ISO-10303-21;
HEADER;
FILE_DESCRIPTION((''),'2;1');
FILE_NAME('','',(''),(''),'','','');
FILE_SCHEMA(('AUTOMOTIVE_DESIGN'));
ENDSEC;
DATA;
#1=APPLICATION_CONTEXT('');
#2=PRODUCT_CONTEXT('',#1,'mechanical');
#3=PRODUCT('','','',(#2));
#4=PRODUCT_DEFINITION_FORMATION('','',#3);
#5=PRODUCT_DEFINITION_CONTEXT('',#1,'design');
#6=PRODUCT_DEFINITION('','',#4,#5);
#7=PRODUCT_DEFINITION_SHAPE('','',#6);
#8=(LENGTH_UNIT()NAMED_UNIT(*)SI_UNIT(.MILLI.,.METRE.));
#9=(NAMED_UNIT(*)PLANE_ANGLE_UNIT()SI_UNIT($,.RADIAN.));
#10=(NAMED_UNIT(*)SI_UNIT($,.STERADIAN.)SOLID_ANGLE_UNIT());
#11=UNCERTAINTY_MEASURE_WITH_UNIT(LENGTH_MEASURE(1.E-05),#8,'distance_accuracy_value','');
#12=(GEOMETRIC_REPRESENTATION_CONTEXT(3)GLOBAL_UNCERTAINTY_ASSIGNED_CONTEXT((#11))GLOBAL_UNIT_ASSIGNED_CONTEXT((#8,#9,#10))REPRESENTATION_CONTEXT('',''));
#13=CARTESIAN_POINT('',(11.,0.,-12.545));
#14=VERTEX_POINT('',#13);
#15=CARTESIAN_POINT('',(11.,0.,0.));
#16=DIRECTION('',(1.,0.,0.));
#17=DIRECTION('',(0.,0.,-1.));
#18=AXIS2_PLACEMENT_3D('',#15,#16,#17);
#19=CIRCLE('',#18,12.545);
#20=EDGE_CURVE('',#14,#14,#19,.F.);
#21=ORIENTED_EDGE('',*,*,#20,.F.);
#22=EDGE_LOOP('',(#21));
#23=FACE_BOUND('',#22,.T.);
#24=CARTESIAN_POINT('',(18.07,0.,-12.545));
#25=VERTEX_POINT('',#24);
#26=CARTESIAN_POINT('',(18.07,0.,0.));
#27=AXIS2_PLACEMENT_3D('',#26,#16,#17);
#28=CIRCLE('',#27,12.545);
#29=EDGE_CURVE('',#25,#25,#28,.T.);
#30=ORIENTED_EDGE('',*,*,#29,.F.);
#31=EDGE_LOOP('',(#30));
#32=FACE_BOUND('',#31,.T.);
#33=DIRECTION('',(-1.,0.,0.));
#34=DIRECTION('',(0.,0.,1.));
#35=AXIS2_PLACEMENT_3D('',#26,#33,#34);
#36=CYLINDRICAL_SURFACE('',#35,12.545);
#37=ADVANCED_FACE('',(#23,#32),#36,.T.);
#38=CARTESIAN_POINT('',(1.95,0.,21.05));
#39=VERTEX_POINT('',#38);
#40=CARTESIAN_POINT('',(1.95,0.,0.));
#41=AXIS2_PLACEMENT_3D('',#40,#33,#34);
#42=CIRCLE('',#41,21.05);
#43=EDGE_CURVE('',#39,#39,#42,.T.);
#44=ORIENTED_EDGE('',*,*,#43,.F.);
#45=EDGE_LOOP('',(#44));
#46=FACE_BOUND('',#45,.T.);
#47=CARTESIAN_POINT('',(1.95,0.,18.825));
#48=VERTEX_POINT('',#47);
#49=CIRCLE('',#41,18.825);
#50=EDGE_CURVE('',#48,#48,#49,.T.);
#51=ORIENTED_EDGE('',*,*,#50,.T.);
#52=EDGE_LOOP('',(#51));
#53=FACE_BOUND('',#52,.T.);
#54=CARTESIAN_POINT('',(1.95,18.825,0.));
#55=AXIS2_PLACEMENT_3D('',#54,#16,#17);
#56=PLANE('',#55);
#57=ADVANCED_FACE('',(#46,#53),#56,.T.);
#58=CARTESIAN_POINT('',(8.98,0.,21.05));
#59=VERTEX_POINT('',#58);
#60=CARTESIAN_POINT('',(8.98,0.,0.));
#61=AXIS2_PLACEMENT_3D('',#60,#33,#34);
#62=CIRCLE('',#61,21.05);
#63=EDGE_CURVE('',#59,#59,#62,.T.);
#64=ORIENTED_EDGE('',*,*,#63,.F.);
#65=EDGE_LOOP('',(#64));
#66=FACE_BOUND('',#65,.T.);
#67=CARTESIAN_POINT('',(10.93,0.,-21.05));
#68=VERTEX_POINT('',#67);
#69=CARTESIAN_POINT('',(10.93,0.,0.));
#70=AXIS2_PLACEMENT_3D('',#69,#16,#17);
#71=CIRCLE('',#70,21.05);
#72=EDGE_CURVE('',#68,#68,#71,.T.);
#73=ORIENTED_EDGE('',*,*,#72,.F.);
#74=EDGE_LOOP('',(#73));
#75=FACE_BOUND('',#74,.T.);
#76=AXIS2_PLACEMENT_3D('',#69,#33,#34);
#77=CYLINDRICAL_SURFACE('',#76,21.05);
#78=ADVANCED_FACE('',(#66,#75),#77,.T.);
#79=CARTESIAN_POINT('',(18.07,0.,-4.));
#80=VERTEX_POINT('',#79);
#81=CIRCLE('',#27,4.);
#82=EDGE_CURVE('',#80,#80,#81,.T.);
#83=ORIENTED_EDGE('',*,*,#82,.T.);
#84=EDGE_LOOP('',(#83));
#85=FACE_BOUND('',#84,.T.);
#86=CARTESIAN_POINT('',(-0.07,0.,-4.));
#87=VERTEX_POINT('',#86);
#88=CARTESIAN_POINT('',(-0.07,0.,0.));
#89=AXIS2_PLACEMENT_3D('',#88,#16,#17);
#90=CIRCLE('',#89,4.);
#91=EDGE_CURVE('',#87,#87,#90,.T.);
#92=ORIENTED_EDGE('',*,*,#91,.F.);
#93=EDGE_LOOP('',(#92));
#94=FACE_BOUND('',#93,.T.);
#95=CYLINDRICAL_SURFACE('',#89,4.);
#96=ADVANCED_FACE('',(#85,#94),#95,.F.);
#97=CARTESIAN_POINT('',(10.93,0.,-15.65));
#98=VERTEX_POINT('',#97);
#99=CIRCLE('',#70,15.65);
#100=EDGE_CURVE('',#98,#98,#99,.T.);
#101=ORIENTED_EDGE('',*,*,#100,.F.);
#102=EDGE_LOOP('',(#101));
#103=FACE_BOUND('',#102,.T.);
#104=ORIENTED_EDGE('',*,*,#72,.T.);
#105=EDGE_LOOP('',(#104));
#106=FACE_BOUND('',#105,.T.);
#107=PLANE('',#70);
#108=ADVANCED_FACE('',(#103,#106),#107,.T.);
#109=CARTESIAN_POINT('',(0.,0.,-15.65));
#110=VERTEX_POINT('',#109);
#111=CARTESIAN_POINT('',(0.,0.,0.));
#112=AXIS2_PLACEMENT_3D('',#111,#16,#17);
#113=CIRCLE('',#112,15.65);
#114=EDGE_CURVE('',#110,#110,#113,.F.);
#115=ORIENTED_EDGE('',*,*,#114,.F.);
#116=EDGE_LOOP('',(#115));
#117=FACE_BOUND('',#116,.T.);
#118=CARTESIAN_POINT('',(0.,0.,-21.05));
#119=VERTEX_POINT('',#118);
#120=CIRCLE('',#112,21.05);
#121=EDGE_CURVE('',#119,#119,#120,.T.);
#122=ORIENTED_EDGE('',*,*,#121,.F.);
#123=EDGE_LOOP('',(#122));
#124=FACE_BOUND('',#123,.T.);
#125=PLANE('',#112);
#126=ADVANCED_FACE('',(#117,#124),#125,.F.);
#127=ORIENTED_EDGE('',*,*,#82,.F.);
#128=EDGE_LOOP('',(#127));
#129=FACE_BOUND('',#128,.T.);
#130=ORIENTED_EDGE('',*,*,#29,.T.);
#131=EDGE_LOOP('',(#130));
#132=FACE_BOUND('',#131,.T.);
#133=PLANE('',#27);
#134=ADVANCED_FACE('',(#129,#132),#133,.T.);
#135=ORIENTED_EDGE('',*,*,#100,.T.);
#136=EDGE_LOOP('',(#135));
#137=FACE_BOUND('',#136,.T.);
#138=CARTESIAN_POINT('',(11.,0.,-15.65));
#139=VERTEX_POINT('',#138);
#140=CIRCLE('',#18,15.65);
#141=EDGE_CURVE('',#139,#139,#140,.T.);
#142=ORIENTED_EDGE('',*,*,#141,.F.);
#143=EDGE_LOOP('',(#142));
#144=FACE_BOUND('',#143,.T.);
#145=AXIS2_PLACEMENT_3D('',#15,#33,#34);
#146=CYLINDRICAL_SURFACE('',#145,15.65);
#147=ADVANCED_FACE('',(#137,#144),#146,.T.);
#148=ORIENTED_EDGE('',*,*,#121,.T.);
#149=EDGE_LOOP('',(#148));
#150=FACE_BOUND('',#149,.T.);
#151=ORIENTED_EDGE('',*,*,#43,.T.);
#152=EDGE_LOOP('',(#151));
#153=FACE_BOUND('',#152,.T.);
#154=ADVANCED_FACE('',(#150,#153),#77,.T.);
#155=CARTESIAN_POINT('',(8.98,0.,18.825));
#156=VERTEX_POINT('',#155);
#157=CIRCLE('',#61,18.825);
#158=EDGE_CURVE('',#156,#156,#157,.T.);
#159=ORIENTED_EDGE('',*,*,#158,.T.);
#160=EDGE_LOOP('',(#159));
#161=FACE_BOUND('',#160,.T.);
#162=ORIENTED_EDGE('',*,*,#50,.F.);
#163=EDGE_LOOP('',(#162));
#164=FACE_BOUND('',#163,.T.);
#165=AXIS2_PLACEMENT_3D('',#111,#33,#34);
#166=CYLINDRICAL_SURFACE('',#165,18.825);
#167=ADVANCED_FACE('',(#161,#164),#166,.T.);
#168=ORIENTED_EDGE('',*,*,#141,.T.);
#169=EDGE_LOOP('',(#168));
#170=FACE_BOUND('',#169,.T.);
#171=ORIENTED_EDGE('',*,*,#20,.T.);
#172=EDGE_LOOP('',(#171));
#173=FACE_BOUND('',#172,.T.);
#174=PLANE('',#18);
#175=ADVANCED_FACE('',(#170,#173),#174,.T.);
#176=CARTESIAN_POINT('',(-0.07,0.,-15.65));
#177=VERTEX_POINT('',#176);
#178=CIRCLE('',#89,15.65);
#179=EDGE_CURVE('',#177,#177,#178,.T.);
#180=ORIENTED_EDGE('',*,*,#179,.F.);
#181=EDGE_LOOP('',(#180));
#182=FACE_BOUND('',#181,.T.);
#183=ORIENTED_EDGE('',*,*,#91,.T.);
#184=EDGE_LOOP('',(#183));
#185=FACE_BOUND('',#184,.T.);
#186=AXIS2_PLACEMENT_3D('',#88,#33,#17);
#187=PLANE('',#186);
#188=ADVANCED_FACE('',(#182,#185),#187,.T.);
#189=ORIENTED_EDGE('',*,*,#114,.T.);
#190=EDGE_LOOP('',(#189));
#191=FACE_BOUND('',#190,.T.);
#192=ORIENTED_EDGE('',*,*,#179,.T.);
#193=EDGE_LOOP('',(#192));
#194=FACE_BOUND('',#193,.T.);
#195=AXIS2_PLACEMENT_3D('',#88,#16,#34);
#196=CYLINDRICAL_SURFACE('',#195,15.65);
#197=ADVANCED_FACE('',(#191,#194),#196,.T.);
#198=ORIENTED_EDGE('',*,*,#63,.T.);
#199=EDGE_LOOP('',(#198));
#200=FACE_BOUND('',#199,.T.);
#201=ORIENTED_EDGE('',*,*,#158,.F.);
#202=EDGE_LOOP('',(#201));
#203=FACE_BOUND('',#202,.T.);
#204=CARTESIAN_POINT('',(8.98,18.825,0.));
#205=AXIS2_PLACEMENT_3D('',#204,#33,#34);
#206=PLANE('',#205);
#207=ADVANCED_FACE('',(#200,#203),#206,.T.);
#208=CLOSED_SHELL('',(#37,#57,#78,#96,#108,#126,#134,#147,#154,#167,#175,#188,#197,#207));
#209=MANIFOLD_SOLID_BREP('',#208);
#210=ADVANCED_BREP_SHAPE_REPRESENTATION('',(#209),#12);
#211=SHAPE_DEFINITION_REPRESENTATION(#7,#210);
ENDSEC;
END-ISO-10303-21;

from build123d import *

# Parameters (mm, degrees)
SKETCH1_R           = 21.05
BOSS_EXTRUDE1_DEPTH = 10.93
SKETCH2_R           = 15.65
BOSS_EXTRUDE2_DEPTH = 0.07
SKETCH3_W           = 7.03
SKETCH3_H           = 2.225
SKETCH5_R           = 12.545
BOSS_EXTRUDE3_DEPTH = 7.14
SKETCH6_R           = 4
CUT_EXTRUDE1_DEPTH  = 19.14


with BuildPart() as part:
    # Sketch1 → Boss-Extrude1 (new body)
    with BuildSketch(Plane(origin=(0, 0, 0), x_dir=(0, 0, -1), z_dir=(1, 0, 0))):
        Circle(SKETCH1_R)
    extrude(amount=BOSS_EXTRUDE1_DEPTH)

    # Sketch2 → Boss-Extrude2 (add)
    with BuildSketch(Plane(origin=(10.93, 0, 0), x_dir=(0, 0, -1), z_dir=(1, 0, 0))):
        Circle(SKETCH2_R)
    extrude(amount=BOSS_EXTRUDE2_DEPTH)

    # Mirror1: part across plane


with BuildPart() as part_1:
    add(part.part)
    add(part.part.mirror(Plane(origin=(5.465, 0, 0), x_dir=(0, 0, 1), z_dir=(1, 0, 0))))

    # Sketch3 → Cut-Revolve1 (revolve, cut)
    with BuildSketch(Plane.XY):
        with Locations((5.465, 19.9375)):
            Rectangle(SKETCH3_W, SKETCH3_H)
    revolve(axis=Axis((0, 0, 0), (1, 0, 0)), mode=Mode.SUBTRACT)

    # Sketch5 → Boss-Extrude3 (add)
    with BuildSketch(Plane(origin=(10.93, 0, 0), x_dir=(0, 0, -1), z_dir=(1, 0, 0))):
        Circle(SKETCH5_R)
    extrude(amount=BOSS_EXTRUDE3_DEPTH)

    # Sketch6 → Cut-Extrude1 (cut, through all)
    with BuildSketch(Plane(origin=(18.07, 0, 0), x_dir=(0, 0, -1), z_dir=(1, 0, 0))):
        Circle(SKETCH6_R)
    extrude(amount=-CUT_EXTRUDE1_DEPTH, mode=Mode.SUBTRACT)


solid = part_1.part
